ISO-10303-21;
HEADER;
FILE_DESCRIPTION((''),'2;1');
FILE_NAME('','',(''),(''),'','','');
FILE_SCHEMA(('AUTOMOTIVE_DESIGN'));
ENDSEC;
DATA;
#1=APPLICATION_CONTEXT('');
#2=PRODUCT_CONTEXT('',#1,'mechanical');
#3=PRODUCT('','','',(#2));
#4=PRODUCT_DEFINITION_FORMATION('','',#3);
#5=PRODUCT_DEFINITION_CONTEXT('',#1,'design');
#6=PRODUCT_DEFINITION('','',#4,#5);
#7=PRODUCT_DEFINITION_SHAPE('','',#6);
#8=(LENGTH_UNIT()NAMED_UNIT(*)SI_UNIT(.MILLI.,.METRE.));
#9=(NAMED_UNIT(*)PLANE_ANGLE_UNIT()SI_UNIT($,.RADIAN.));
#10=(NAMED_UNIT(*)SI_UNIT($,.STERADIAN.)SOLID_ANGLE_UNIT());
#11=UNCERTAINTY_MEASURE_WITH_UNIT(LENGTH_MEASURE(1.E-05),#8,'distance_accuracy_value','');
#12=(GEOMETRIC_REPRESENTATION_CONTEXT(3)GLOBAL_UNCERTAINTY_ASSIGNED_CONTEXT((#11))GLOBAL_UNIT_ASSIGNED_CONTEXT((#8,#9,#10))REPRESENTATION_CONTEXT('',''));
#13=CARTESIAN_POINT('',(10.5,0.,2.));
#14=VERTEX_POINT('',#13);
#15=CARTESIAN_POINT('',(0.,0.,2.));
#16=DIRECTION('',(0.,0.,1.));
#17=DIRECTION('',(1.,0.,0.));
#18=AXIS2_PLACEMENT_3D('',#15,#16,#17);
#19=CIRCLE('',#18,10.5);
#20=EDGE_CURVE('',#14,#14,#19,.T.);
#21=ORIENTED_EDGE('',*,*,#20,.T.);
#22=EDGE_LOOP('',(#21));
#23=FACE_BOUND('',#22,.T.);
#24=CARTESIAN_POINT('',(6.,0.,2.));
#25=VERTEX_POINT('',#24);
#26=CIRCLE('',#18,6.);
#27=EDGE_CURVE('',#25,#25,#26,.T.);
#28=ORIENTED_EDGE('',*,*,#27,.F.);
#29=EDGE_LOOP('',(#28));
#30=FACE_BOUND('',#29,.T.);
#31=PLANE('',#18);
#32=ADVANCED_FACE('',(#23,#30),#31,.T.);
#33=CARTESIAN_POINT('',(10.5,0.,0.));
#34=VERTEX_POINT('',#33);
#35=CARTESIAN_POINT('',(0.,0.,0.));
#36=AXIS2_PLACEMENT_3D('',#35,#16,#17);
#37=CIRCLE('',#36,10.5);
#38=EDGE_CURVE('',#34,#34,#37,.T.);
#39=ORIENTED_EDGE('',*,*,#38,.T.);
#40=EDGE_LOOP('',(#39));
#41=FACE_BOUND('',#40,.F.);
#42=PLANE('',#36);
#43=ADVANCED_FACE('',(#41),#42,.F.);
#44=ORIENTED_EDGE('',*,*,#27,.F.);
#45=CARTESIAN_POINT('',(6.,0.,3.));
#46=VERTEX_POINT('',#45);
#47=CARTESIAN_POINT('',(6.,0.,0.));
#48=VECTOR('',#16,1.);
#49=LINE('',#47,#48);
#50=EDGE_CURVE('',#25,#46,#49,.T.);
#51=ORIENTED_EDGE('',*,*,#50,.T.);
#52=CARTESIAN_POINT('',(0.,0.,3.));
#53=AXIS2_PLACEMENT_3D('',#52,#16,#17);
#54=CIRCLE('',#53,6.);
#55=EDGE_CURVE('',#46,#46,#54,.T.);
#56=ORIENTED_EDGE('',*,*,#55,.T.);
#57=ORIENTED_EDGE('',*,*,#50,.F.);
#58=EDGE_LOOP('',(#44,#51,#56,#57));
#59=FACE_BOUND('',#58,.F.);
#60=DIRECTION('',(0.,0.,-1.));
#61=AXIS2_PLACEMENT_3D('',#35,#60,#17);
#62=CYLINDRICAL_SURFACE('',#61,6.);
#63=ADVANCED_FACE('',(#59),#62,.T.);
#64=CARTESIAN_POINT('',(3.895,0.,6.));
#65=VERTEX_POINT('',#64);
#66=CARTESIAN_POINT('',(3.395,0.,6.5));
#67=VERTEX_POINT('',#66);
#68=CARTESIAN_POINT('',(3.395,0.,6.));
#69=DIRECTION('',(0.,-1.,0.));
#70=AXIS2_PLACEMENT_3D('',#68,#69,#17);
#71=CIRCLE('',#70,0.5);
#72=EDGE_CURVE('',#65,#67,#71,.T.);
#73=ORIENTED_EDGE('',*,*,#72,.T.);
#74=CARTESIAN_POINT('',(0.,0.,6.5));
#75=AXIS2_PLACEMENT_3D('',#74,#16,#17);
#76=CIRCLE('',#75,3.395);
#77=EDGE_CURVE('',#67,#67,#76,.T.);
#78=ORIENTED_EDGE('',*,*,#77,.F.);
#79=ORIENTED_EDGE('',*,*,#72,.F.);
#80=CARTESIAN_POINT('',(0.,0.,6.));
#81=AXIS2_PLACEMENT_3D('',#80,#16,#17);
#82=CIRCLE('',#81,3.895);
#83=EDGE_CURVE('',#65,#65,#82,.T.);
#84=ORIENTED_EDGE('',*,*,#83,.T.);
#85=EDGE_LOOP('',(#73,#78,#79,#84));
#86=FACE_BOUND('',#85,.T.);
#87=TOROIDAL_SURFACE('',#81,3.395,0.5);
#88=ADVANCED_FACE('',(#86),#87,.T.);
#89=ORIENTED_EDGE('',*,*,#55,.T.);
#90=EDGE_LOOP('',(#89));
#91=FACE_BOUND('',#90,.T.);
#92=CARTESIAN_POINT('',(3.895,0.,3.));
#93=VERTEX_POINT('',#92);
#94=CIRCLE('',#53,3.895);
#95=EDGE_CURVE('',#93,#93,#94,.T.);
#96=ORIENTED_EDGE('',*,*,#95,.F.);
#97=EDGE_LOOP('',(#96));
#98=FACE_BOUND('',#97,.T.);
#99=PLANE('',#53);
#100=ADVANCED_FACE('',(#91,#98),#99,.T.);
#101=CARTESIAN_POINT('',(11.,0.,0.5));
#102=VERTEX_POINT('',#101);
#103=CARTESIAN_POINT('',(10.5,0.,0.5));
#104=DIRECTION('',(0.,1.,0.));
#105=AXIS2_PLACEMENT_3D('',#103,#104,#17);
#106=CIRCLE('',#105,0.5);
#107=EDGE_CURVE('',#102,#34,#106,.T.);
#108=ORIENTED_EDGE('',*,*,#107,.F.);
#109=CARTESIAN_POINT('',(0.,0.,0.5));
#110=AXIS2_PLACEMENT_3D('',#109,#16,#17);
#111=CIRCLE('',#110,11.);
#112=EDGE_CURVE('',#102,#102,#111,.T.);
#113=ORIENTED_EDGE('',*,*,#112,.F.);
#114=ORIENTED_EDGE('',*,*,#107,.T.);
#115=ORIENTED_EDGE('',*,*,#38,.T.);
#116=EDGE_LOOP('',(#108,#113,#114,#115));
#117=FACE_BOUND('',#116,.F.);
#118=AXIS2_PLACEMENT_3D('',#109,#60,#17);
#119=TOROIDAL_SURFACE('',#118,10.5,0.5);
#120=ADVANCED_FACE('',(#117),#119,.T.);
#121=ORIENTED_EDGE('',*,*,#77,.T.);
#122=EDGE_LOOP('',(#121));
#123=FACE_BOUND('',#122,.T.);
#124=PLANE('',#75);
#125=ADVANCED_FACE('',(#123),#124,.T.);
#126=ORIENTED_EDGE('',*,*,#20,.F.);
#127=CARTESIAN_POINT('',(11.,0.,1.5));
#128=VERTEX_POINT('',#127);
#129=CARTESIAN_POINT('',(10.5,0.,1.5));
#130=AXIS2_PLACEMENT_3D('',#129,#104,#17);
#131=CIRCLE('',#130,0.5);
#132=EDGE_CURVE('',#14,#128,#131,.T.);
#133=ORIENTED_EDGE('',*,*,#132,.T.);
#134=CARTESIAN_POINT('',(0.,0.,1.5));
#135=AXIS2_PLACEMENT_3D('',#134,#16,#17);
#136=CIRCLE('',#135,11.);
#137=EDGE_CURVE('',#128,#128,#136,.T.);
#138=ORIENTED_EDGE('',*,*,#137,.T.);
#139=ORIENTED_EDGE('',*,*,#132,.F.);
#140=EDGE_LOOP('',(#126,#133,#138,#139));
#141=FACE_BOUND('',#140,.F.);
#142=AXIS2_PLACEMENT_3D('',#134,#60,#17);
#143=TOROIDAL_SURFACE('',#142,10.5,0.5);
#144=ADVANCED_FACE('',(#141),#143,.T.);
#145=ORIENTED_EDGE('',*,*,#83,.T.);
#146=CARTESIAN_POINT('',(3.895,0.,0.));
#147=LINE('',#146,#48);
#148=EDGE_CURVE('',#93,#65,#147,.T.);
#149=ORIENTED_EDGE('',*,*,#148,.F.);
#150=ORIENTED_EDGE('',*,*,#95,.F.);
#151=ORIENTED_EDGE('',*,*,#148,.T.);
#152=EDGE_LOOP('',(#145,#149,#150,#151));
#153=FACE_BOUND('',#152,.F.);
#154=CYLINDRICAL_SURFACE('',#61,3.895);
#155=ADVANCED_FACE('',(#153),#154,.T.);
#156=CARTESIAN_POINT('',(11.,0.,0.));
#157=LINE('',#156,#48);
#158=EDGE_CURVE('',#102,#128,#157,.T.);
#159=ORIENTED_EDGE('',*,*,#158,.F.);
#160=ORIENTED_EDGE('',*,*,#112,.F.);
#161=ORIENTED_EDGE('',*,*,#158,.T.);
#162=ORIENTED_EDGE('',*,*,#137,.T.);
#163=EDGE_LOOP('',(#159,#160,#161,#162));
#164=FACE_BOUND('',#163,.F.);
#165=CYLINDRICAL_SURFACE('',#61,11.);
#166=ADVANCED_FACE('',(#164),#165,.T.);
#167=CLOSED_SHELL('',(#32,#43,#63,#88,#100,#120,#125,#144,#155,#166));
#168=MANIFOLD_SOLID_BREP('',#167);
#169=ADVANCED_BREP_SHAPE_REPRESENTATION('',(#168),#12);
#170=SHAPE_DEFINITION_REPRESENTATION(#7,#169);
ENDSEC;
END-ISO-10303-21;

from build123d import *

# Parameters (mm, degrees)
F0_R     = 11
F0_R_2   = 6
F1_DEPTH = 2
F0_R_3   = 3.895
F2_DEPTH = 3
F3_DEPTH = 6.5
F4_R     = 0.5
F5_R     = 0.5


with BuildPart() as f1:
    # F0 (on Top) → F1 (new body)
    with BuildSketch(Plane.XY):
        Circle(F0_R)
        Circle(F0_R_2, mode=Mode.SUBTRACT)
    extrude(amount=F1_DEPTH)

    # F0 (on Top) → F2 (join)
    with BuildSketch(Plane.XY):
        Circle(F0_R_2)
        Circle(F0_R_3, mode=Mode.SUBTRACT)
    extrude(amount=F2_DEPTH)

    # F0 (on Top) → F3 (join)
    with BuildSketch(Plane.XY):
        Circle(F0_R_3)
    extrude(amount=F3_DEPTH)

    # F4
    f4_edges = [f1.edges().sort_by_distance(p)[0] for p in [
        (-3.895, 0, 6.5),
    ]]
    fillet(f4_edges, radius=F4_R)

    # F5
    f5_edges = [f1.edges().sort_by_distance(p)[0] for p in [
        (-11, 0, 0),
        (-11, 0, 2),
    ]]
    fillet(f5_edges, radius=F5_R)


solid = f1.part
